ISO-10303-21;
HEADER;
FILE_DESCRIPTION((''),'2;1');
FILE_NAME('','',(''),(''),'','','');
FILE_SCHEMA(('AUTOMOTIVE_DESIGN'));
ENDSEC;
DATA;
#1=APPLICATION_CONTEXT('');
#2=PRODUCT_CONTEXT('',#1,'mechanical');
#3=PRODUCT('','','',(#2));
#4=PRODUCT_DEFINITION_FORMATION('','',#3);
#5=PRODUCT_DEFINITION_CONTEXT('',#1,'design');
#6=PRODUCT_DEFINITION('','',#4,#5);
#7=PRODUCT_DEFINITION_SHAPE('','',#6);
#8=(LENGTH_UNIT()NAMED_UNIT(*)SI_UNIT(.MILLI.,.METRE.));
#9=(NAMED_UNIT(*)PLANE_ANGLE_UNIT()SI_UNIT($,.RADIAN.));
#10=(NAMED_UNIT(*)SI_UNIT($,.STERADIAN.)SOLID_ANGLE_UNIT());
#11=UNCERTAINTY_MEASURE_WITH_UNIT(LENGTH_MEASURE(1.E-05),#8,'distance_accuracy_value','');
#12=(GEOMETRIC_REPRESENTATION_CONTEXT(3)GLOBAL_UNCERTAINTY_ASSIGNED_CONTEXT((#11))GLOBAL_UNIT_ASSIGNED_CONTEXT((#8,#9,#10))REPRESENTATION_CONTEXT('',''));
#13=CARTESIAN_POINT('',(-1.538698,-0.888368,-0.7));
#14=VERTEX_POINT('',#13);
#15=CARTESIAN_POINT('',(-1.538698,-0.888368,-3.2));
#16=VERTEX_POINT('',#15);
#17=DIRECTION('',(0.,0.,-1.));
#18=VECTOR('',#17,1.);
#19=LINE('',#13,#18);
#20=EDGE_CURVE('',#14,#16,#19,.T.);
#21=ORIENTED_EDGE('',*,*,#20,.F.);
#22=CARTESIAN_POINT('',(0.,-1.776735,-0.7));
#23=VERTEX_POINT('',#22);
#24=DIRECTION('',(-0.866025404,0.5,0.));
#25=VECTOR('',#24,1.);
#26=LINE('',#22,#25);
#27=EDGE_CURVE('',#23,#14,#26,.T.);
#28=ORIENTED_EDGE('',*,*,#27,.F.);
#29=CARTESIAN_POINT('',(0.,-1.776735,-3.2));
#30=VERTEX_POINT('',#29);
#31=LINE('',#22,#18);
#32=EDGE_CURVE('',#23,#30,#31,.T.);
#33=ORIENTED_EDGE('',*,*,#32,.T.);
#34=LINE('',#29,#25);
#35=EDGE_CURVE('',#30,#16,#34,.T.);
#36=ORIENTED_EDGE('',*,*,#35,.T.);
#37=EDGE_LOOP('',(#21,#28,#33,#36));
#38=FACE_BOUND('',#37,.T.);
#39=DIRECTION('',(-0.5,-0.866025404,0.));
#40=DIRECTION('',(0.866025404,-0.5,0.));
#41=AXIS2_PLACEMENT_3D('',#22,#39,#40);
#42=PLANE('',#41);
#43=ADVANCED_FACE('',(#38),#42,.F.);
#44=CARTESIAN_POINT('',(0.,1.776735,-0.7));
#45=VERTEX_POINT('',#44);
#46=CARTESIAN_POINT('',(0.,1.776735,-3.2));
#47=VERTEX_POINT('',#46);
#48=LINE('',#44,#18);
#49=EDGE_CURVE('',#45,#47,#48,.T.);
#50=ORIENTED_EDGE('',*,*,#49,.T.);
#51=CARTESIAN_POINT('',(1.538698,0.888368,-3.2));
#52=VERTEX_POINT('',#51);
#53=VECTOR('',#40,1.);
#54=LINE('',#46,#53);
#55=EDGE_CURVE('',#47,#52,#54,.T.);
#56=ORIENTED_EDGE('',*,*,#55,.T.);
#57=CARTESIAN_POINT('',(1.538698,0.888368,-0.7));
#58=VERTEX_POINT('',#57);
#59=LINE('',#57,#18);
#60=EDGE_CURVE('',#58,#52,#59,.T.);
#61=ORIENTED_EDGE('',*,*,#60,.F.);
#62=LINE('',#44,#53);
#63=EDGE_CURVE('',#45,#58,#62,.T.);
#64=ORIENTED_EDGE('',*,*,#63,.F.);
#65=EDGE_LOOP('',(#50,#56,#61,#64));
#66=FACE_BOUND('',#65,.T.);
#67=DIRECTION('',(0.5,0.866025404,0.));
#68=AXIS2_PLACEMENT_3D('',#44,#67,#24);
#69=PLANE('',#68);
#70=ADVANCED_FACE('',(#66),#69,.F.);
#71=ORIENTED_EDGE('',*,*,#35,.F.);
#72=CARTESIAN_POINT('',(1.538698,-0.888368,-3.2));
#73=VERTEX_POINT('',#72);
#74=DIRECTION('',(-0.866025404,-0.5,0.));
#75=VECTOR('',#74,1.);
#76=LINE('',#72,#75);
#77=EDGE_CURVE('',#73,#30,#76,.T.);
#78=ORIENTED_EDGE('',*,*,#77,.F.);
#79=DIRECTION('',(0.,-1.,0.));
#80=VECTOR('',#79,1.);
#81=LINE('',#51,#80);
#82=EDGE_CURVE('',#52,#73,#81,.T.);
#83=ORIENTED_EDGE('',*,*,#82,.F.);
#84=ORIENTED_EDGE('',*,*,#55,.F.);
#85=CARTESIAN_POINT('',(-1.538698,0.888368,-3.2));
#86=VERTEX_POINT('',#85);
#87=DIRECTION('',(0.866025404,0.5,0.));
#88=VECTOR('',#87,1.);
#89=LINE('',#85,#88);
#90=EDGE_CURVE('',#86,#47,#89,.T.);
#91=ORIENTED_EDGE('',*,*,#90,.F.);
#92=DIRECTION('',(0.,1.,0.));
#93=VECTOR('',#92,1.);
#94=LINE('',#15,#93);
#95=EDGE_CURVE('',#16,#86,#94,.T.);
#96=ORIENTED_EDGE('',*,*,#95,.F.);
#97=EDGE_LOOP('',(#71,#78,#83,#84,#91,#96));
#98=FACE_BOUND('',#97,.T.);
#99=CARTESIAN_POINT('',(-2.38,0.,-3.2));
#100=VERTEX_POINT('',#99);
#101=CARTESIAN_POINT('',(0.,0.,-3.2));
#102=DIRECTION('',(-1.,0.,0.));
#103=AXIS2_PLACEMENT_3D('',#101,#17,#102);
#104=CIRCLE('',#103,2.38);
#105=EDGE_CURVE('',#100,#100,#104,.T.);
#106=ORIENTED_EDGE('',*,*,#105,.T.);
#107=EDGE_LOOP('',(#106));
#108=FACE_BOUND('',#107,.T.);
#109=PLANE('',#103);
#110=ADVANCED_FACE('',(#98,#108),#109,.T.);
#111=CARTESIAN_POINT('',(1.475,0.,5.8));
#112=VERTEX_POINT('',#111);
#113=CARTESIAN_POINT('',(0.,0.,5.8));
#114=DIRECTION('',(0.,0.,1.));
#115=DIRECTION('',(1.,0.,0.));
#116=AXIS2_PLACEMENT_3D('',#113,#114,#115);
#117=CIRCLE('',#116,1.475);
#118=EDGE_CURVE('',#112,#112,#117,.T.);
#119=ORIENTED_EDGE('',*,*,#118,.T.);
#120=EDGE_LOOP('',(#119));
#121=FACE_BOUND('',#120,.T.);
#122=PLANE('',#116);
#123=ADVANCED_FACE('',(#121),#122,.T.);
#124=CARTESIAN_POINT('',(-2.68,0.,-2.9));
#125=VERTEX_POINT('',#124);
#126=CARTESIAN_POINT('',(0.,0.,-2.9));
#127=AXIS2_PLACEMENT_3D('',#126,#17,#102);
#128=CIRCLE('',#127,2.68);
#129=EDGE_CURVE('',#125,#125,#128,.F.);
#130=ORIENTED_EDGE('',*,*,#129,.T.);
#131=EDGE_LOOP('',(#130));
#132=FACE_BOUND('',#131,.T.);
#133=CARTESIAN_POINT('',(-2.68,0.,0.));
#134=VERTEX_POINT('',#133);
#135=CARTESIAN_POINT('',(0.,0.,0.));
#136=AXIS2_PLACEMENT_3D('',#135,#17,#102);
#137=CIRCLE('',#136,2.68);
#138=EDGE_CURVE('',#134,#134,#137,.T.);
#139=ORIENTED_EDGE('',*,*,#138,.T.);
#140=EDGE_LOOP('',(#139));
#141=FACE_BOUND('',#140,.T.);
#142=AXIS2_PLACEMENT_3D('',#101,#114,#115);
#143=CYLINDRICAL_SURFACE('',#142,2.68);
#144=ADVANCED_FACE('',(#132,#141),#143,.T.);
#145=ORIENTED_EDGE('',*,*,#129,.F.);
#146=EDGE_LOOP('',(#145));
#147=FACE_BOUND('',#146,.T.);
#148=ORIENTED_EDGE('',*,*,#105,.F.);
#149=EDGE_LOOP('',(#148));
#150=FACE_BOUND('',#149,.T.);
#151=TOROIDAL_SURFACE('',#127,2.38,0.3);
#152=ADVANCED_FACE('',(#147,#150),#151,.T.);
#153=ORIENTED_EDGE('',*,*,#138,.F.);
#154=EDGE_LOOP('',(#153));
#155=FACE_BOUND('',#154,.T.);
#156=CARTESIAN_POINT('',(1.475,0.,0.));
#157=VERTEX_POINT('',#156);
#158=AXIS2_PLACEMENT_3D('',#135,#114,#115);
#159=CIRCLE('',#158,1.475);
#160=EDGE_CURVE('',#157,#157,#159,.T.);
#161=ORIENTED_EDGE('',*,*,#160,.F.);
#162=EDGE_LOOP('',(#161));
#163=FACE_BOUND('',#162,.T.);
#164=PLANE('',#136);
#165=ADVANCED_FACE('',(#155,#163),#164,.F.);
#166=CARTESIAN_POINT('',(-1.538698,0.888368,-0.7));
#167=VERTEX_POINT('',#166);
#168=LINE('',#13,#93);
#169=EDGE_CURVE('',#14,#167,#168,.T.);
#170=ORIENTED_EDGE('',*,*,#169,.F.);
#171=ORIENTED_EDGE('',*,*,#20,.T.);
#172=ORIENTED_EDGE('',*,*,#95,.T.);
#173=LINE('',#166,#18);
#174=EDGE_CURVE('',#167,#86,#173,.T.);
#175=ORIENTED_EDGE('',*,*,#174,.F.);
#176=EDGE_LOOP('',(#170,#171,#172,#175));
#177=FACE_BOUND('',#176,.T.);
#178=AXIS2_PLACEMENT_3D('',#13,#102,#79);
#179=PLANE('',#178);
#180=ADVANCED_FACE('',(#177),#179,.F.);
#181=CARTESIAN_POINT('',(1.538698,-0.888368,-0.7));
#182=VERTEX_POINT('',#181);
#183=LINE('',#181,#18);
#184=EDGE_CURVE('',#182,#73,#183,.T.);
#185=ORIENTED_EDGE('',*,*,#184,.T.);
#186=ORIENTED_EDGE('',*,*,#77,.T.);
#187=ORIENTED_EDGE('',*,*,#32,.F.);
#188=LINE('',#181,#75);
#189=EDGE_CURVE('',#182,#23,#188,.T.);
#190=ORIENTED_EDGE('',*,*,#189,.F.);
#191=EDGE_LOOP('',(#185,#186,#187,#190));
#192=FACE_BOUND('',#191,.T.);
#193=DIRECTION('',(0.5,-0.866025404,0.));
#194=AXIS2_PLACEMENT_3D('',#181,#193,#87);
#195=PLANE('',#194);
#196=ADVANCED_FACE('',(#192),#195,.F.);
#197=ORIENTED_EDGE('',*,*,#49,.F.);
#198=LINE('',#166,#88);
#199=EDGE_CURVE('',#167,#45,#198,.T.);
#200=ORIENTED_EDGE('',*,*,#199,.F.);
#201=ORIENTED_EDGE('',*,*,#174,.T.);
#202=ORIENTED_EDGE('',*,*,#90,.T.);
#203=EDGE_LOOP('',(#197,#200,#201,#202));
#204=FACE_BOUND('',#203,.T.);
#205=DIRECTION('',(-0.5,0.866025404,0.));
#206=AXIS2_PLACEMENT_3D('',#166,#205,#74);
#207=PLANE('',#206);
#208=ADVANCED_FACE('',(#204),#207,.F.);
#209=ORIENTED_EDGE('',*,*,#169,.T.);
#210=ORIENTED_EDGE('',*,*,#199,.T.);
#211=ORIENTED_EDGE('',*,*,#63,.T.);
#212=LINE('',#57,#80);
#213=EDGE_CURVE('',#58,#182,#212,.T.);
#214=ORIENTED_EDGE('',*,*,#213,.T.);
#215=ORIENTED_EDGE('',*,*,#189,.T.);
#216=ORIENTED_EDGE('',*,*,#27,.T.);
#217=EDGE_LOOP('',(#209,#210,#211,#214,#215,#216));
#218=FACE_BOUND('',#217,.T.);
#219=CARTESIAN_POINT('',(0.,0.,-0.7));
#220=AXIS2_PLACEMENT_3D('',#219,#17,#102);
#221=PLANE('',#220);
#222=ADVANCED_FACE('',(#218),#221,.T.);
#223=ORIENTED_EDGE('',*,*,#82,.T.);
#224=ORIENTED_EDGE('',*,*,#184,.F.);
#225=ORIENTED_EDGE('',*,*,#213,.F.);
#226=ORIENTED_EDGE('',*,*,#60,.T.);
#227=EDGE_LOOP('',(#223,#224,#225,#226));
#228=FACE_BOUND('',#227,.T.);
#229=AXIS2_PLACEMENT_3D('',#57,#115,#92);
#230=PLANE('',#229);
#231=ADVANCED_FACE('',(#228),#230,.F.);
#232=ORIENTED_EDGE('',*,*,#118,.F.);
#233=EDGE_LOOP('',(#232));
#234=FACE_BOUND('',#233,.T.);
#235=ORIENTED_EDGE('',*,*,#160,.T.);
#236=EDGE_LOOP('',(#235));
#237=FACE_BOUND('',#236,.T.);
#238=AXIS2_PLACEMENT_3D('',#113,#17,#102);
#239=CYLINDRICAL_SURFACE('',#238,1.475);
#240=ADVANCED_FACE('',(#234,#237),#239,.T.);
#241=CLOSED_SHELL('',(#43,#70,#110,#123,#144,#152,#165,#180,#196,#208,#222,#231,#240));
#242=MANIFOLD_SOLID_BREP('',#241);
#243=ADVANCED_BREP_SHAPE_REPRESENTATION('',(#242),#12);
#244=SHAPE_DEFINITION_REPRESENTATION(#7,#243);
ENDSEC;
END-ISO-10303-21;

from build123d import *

# Parameters (mm, degrees)
CROQUIS1_R              = 1.475
SALIENTE_EXTRUIR1_DEPTH = 5.8
CROQUIS2_R              = 2.68
SALIENTE_EXTRUIR2_DEPTH = 3.2
CORTAR_EXTRUIR1_DEPTH   = 2.5
REDONDEO1_R             = 0.3


with BuildPart() as part:
    # Croquis1 → Saliente-Extruir1 (new body)
    with BuildSketch(Plane.XY):
        Circle(CROQUIS1_R)
    extrude(amount=SALIENTE_EXTRUIR1_DEPTH)

    # Croquis2 → Saliente-Extruir2 (add)
    with BuildSketch(Plane(origin=(0, 0, 0), x_dir=(-1, 0, 0), z_dir=(0, 0, -1))):
        Circle(CROQUIS2_R)
    extrude(amount=SALIENTE_EXTRUIR2_DEPTH)

    # Croquis3 → Cortar-Extruir1 (cut)
    with BuildSketch(Plane(origin=(0, 0, -3.2), x_dir=(-1, 0, 0), z_dir=(0, 0, -1))):
        Polygon((0, -1.776735144), (1.53869777, -0.888367572), (1.53869777, 0.888367572), (0, 1.776735144), (-1.53869777, 0.888367572), (-1.53869777, -0.888367572), align=None)
    extrude(amount=-CORTAR_EXTRUIR1_DEPTH, mode=Mode.SUBTRACT)

    # Redondeo1
    redondeo1_edges = [part.edges().sort_by_distance(p)[0] for p in [
        (2.68, 0, -3.2),
    ]]
    fillet(redondeo1_edges, radius=REDONDEO1_R)


solid = part.part
